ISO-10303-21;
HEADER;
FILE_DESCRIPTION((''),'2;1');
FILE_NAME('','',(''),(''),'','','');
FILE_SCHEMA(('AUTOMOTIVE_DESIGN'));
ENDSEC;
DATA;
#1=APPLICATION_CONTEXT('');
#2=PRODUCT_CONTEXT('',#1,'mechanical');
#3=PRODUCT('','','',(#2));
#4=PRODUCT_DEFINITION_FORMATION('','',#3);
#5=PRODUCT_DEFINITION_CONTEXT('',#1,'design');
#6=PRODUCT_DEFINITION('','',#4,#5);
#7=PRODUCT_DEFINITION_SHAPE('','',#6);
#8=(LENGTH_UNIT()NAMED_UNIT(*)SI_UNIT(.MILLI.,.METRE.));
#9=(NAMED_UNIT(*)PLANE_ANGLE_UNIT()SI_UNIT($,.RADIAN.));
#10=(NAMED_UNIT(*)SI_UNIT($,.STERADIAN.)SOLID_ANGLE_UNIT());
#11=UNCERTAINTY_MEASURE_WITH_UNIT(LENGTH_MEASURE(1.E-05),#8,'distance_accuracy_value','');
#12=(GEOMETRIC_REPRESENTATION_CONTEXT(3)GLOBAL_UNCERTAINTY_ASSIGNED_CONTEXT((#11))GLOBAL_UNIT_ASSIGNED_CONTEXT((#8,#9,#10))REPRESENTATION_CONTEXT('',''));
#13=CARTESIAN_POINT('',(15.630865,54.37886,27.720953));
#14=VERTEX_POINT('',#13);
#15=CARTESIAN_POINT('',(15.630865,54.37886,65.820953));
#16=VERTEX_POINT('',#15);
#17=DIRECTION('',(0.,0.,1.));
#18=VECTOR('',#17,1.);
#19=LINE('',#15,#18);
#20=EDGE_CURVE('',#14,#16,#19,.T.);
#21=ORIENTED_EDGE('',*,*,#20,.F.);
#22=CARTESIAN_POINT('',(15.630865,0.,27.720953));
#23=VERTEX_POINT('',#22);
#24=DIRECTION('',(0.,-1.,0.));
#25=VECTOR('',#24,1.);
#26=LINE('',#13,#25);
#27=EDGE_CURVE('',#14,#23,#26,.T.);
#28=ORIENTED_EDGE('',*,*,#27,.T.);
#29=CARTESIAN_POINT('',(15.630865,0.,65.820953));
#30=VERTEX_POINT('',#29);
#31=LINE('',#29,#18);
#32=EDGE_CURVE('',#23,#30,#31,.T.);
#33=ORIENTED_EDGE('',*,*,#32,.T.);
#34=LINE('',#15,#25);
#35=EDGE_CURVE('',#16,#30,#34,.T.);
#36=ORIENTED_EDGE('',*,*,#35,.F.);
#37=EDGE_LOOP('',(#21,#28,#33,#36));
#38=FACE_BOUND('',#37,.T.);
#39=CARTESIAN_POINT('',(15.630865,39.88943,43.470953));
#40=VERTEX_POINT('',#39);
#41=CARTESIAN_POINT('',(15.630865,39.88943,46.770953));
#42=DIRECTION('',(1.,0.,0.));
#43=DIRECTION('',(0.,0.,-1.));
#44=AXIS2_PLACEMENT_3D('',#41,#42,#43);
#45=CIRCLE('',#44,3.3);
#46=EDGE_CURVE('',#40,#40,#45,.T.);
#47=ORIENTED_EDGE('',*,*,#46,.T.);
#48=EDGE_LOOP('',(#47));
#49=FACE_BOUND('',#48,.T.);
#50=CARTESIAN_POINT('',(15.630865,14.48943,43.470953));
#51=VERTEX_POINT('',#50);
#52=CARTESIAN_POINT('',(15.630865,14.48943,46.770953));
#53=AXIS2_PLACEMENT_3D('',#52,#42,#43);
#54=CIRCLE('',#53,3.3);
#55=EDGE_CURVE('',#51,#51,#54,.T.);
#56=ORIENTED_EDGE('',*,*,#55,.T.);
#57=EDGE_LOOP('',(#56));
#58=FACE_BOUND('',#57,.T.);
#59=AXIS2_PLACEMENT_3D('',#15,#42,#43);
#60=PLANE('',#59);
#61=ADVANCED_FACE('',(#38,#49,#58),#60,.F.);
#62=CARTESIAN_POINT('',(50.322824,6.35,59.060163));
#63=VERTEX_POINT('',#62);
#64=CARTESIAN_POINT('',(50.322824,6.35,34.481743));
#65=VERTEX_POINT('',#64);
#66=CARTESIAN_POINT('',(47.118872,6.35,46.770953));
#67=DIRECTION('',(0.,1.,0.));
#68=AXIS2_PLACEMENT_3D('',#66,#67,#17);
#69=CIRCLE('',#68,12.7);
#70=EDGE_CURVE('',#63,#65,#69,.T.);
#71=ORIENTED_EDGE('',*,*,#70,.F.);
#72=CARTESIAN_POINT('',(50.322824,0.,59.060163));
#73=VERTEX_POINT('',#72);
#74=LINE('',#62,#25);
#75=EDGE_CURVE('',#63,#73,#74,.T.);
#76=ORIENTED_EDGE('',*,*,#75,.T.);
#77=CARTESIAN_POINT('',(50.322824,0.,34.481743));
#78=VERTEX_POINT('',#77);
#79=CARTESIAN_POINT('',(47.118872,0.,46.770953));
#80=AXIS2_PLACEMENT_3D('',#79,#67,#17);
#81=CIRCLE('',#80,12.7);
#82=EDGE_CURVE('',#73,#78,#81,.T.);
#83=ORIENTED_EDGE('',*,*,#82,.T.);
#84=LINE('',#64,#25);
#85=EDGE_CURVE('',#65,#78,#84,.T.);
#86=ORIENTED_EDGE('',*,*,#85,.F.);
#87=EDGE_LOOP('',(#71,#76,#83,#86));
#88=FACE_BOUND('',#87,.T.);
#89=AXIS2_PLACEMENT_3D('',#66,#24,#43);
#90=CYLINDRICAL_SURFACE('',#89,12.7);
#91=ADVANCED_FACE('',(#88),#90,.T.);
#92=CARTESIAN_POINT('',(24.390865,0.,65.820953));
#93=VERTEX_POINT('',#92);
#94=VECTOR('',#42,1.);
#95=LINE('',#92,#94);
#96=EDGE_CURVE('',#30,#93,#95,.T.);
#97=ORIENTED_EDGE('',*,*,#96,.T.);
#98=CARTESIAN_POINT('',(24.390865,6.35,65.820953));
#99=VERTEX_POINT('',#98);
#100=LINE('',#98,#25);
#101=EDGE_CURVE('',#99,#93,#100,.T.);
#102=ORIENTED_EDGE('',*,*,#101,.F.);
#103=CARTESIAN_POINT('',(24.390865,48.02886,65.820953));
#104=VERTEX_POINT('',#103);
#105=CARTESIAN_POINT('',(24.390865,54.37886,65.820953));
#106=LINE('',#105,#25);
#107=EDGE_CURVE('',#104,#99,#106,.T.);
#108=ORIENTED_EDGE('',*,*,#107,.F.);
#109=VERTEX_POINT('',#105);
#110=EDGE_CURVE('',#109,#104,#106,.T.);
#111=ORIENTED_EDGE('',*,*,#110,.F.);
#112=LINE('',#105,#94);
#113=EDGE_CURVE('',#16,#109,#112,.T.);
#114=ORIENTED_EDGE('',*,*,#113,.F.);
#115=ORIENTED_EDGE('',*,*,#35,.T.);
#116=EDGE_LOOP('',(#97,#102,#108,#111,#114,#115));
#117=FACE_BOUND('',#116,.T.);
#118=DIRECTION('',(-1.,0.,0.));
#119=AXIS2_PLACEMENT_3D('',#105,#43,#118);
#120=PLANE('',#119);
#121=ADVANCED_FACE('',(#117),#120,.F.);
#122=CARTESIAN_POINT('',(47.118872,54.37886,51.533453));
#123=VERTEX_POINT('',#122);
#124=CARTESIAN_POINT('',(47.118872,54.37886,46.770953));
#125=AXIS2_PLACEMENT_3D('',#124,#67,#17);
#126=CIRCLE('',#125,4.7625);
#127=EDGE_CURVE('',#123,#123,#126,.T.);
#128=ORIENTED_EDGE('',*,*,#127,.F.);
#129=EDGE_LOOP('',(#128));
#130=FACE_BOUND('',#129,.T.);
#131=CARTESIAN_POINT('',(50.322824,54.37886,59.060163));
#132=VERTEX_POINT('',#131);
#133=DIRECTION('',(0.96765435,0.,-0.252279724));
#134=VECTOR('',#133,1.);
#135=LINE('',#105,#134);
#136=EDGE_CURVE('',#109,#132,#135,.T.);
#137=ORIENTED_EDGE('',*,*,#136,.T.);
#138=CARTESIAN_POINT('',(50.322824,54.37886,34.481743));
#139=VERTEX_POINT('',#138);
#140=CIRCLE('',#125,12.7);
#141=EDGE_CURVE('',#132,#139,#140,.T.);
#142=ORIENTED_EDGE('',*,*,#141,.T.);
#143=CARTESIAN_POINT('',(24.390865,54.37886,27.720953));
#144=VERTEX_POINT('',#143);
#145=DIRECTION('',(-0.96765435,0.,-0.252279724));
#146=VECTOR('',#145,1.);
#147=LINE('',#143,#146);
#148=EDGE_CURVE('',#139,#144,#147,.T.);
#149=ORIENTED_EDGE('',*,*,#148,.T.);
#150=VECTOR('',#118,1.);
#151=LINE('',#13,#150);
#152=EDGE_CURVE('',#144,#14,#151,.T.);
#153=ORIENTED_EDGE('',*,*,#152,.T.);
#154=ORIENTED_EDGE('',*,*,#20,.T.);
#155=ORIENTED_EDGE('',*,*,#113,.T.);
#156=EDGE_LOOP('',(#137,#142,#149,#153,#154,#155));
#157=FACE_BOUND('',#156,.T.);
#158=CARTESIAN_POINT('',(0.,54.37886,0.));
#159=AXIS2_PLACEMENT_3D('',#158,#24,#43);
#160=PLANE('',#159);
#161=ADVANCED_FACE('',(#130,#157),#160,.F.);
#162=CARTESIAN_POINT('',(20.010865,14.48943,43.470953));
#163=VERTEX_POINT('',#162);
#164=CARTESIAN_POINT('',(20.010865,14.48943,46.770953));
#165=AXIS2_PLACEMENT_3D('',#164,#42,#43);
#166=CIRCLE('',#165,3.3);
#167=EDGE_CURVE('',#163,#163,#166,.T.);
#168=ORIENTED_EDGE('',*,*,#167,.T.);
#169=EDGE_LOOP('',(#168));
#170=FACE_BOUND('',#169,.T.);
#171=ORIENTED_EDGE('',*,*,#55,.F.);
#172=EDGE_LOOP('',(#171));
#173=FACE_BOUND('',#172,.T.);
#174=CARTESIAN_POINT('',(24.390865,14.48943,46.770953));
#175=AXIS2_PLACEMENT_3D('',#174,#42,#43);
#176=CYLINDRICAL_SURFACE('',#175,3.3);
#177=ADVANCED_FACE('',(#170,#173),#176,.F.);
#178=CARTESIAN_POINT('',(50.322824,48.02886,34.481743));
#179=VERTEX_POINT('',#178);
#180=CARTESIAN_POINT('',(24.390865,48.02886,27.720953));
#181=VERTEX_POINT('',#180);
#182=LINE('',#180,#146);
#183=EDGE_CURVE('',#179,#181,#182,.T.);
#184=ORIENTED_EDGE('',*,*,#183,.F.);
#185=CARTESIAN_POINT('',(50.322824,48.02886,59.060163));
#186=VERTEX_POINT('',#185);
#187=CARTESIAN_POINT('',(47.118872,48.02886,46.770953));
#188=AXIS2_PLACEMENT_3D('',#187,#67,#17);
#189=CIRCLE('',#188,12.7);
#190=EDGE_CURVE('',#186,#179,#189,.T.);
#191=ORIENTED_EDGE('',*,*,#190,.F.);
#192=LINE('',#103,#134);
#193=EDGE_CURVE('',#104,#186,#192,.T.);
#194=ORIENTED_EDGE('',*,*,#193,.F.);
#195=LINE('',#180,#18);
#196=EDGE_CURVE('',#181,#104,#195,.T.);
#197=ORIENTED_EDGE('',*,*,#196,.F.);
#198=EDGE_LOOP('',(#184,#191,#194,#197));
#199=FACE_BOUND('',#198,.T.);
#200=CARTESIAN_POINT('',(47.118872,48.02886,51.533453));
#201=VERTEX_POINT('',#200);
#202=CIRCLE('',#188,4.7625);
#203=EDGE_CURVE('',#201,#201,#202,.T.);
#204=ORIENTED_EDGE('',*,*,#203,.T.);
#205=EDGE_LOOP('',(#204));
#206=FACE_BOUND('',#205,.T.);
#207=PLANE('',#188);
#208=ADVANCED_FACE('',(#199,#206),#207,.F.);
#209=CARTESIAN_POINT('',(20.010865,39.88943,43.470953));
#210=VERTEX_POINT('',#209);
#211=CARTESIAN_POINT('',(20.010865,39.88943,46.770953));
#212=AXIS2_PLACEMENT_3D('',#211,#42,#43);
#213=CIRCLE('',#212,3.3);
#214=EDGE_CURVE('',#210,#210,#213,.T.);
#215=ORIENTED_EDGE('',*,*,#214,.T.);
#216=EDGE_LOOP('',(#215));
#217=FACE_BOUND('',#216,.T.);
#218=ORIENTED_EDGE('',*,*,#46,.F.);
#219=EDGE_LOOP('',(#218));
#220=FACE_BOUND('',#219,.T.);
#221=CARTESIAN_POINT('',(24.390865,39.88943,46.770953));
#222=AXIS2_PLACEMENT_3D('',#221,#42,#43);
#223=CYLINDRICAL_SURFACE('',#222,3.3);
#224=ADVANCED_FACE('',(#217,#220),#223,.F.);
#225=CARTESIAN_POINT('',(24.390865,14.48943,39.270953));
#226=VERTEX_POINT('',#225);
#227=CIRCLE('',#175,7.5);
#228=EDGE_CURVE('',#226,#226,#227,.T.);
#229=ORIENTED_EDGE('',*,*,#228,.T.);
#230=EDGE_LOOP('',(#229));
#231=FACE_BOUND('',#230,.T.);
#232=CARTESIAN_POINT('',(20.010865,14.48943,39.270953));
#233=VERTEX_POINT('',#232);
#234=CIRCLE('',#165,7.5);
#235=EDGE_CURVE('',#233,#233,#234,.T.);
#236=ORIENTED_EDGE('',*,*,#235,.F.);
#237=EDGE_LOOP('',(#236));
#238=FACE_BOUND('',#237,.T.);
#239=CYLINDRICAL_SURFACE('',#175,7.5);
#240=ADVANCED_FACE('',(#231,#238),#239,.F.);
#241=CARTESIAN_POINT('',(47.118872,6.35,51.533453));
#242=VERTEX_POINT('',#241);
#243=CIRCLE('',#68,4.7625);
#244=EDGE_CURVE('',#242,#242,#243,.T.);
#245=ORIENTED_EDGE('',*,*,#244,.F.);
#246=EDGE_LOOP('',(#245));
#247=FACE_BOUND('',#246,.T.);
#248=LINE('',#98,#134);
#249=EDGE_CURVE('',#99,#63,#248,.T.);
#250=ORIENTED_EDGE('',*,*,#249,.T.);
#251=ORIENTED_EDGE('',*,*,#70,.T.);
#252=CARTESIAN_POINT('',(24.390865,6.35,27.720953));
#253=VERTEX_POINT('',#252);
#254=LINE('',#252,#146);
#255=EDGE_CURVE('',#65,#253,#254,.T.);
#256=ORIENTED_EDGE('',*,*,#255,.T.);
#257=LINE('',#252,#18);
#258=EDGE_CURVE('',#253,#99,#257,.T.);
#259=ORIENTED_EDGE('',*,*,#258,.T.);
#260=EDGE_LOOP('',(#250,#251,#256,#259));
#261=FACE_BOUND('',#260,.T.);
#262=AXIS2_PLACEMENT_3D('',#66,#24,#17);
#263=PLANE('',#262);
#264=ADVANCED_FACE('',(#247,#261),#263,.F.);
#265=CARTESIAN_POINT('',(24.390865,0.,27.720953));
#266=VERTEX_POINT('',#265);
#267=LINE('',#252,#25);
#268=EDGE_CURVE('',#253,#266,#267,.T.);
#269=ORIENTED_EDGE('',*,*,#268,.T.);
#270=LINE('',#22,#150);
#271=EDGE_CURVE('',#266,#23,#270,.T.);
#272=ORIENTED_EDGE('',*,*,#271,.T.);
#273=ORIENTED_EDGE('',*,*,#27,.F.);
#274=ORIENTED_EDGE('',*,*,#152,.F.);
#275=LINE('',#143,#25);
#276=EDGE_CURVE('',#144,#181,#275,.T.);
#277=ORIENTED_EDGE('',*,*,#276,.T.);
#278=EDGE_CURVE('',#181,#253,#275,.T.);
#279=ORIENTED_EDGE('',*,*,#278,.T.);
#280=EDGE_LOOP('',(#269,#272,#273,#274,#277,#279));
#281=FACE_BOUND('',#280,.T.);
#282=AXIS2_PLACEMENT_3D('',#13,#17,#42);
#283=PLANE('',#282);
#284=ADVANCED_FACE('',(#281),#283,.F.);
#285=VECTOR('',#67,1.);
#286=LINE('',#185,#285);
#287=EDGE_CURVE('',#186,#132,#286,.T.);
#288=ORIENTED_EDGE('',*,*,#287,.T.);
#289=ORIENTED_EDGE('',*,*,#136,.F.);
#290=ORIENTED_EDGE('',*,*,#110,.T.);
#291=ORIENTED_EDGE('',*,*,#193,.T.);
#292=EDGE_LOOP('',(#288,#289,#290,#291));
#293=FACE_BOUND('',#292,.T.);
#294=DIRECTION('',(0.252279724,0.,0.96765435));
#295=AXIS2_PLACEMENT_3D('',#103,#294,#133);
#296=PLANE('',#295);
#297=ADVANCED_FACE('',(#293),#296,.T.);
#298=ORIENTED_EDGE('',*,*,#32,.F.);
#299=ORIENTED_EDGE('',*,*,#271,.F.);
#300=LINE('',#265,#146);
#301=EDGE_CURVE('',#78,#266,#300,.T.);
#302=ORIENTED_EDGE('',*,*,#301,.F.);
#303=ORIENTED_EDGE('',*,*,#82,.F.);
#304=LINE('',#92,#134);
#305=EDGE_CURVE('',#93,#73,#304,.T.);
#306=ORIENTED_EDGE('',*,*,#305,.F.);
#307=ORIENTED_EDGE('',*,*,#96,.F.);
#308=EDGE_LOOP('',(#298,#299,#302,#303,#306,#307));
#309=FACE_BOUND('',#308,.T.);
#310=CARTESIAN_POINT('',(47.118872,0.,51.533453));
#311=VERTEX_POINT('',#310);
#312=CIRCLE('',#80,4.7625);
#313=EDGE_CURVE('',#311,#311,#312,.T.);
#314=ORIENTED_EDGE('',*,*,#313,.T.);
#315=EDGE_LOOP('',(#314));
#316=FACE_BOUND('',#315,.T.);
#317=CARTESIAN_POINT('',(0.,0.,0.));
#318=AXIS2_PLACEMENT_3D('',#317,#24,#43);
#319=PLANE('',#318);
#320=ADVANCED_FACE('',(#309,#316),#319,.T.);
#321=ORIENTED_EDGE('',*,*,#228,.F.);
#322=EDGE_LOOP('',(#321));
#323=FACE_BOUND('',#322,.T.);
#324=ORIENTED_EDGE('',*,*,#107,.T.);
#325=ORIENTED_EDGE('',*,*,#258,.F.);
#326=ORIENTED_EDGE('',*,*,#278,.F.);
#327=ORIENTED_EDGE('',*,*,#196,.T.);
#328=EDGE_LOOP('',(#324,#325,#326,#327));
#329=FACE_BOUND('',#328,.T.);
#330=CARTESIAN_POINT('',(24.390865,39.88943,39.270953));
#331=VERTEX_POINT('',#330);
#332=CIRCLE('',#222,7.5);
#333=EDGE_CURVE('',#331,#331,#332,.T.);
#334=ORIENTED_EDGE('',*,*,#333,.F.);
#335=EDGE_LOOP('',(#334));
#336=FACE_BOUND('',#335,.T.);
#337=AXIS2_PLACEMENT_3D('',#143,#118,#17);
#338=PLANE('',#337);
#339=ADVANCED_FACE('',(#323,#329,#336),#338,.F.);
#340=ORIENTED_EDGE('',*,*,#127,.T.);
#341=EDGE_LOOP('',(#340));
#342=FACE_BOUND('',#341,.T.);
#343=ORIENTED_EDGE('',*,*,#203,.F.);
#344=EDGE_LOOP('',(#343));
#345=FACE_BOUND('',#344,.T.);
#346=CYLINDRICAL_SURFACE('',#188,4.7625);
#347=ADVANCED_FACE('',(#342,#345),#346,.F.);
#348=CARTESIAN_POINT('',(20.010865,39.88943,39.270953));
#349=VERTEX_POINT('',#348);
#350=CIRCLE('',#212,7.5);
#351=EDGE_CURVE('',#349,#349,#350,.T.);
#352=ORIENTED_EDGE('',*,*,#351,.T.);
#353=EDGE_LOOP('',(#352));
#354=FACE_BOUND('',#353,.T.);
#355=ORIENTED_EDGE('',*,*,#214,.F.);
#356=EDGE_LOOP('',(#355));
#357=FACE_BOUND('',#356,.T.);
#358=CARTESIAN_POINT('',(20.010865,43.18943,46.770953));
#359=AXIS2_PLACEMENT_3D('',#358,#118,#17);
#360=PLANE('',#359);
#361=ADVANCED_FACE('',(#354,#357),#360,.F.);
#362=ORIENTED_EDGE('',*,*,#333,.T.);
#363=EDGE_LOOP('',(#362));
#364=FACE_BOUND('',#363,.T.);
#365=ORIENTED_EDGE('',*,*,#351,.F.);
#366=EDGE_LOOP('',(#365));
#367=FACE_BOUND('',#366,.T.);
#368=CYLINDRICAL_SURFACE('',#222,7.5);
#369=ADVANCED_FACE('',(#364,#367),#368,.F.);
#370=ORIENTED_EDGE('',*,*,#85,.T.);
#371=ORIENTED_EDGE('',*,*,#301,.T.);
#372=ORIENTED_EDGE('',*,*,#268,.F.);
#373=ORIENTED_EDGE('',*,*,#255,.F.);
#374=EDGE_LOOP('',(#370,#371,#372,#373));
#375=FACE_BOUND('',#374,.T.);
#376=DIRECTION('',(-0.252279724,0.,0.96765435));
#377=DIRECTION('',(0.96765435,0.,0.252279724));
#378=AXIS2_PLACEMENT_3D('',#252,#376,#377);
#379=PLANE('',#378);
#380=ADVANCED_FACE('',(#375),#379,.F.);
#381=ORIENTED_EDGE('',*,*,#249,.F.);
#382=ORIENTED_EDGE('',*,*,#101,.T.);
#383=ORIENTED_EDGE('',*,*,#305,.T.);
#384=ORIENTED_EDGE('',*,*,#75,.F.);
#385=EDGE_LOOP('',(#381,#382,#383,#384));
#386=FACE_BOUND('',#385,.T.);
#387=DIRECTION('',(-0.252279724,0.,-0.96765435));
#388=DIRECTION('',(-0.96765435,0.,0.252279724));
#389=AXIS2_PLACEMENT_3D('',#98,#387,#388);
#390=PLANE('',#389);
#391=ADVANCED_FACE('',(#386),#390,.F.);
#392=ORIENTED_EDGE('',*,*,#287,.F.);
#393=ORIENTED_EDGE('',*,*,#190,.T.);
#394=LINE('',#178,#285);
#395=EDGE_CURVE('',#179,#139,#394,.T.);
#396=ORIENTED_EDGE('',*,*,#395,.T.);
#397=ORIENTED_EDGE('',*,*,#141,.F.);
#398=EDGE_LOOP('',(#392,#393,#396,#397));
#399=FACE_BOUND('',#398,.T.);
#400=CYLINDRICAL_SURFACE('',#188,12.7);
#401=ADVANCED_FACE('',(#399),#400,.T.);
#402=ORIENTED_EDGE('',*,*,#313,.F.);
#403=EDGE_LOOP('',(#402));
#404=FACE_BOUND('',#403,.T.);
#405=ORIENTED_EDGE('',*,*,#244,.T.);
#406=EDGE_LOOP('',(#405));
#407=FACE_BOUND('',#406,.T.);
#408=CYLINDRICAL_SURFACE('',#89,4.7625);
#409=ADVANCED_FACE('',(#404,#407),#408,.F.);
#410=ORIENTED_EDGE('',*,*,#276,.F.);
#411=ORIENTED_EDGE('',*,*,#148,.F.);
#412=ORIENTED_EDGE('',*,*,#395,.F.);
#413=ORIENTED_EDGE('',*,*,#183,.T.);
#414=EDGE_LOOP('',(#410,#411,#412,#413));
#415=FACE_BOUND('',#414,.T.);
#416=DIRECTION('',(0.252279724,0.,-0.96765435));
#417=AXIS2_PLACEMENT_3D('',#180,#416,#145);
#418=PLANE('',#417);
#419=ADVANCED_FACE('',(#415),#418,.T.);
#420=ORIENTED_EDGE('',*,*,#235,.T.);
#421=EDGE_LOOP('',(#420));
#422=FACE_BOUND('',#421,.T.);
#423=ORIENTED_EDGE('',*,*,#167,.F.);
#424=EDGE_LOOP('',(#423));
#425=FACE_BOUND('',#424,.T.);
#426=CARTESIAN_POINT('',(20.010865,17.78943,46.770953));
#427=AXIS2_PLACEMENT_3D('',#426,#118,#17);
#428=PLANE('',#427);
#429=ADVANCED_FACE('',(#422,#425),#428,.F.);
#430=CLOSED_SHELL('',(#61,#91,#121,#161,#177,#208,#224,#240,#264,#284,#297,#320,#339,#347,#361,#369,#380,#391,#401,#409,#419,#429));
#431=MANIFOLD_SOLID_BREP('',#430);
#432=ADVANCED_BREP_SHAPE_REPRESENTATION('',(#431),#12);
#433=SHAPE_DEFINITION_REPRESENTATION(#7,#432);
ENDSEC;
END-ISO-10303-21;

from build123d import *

# Parameters (mm, degrees)
SKETCH1_W                               = 8.76
SKETCH1_H                               = 38.1
BOSS_EXTRUDE1_DEPTH                     = 54.37886
CBORE_FOR_M6_HEX_HEAD_BOLT1_D           = 6.6
CBORE_FOR_M6_HEX_HEAD_BOLT1_DEPTH       = 14.019159957
CBORE_FOR_M6_HEX_HEAD_BOLT1_CBORE_D     = 15
CBORE_FOR_M6_HEX_HEAD_BOLT1_CBORE_DEPTH = 4.38
CBORE_FOR_M6_HEX_HEAD_BOLT1_TIP         = 1.982840043
SKETCH6_R                               = 4.7625
BOSS_EXTRUDE2_DEPTH                     = 6.35


with BuildPart() as part:
    # Sketch1 → Boss-Extrude1 (new body)
    with BuildSketch(Plane(origin=(0, 0, 0), x_dir=(1, 0, 0), z_dir=(0, 1, 0))):
        with Locations((20.010864679, -46.77095316)):
            Rectangle(SKETCH1_W, SKETCH1_H)
    extrude(amount=BOSS_EXTRUDE1_DEPTH)

    # CBORE for M6 Hex Head Bolt1
    with Locations(Plane(origin=(24.390864679, 0, 0), x_dir=(0, 0, -1), z_dir=(1, 0, 0))):
        with Locations((-46.77095316, 14.48943), (-46.77095316, 39.88943)):
            CounterBoreHole(CBORE_FOR_M6_HEX_HEAD_BOLT1_D / 2, CBORE_FOR_M6_HEX_HEAD_BOLT1_CBORE_D / 2, CBORE_FOR_M6_HEX_HEAD_BOLT1_CBORE_DEPTH, depth=CBORE_FOR_M6_HEX_HEAD_BOLT1_DEPTH)
            with Locations((0, 0, -(CBORE_FOR_M6_HEX_HEAD_BOLT1_DEPTH + CBORE_FOR_M6_HEX_HEAD_BOLT1_TIP / 2))):  # 118° drill point
                Cone(0, CBORE_FOR_M6_HEX_HEAD_BOLT1_D / 2, CBORE_FOR_M6_HEX_HEAD_BOLT1_TIP, mode=Mode.SUBTRACT)

    # Sketch6 → Boss-Extrude2 (add)
    with BuildSketch(Plane(origin=(0, 54.37886, 0), x_dir=(1, 0, 0), z_dir=(0, 1, 0))):
        with BuildLine():
            Line((24.390864679, -27.72095316), (24.390864679, -65.82095316))
            Line((24.390864679, -65.82095316), (50.322824333, -59.060163405))
            ThreePointArc((50.322824333, -59.060163405), (59.818871843, -46.77095316), (50.322824333, -34.481742916))
            Line((50.322824333, -34.481742916), (24.390864679, -27.72095316))
        make_face()
        with Locations(Location((47.118871843, -46.77095316, 0), (0, 0, 270))):
            Circle(SKETCH6_R, mode=Mode.SUBTRACT)
    boss_extrude2 = extrude(amount=-BOSS_EXTRUDE2_DEPTH)

    # Mirror1: Boss-Extrude2 across plane
    add(boss_extrude2.mirror(Plane.ZX.offset(27.18943)))


solid = part.part
